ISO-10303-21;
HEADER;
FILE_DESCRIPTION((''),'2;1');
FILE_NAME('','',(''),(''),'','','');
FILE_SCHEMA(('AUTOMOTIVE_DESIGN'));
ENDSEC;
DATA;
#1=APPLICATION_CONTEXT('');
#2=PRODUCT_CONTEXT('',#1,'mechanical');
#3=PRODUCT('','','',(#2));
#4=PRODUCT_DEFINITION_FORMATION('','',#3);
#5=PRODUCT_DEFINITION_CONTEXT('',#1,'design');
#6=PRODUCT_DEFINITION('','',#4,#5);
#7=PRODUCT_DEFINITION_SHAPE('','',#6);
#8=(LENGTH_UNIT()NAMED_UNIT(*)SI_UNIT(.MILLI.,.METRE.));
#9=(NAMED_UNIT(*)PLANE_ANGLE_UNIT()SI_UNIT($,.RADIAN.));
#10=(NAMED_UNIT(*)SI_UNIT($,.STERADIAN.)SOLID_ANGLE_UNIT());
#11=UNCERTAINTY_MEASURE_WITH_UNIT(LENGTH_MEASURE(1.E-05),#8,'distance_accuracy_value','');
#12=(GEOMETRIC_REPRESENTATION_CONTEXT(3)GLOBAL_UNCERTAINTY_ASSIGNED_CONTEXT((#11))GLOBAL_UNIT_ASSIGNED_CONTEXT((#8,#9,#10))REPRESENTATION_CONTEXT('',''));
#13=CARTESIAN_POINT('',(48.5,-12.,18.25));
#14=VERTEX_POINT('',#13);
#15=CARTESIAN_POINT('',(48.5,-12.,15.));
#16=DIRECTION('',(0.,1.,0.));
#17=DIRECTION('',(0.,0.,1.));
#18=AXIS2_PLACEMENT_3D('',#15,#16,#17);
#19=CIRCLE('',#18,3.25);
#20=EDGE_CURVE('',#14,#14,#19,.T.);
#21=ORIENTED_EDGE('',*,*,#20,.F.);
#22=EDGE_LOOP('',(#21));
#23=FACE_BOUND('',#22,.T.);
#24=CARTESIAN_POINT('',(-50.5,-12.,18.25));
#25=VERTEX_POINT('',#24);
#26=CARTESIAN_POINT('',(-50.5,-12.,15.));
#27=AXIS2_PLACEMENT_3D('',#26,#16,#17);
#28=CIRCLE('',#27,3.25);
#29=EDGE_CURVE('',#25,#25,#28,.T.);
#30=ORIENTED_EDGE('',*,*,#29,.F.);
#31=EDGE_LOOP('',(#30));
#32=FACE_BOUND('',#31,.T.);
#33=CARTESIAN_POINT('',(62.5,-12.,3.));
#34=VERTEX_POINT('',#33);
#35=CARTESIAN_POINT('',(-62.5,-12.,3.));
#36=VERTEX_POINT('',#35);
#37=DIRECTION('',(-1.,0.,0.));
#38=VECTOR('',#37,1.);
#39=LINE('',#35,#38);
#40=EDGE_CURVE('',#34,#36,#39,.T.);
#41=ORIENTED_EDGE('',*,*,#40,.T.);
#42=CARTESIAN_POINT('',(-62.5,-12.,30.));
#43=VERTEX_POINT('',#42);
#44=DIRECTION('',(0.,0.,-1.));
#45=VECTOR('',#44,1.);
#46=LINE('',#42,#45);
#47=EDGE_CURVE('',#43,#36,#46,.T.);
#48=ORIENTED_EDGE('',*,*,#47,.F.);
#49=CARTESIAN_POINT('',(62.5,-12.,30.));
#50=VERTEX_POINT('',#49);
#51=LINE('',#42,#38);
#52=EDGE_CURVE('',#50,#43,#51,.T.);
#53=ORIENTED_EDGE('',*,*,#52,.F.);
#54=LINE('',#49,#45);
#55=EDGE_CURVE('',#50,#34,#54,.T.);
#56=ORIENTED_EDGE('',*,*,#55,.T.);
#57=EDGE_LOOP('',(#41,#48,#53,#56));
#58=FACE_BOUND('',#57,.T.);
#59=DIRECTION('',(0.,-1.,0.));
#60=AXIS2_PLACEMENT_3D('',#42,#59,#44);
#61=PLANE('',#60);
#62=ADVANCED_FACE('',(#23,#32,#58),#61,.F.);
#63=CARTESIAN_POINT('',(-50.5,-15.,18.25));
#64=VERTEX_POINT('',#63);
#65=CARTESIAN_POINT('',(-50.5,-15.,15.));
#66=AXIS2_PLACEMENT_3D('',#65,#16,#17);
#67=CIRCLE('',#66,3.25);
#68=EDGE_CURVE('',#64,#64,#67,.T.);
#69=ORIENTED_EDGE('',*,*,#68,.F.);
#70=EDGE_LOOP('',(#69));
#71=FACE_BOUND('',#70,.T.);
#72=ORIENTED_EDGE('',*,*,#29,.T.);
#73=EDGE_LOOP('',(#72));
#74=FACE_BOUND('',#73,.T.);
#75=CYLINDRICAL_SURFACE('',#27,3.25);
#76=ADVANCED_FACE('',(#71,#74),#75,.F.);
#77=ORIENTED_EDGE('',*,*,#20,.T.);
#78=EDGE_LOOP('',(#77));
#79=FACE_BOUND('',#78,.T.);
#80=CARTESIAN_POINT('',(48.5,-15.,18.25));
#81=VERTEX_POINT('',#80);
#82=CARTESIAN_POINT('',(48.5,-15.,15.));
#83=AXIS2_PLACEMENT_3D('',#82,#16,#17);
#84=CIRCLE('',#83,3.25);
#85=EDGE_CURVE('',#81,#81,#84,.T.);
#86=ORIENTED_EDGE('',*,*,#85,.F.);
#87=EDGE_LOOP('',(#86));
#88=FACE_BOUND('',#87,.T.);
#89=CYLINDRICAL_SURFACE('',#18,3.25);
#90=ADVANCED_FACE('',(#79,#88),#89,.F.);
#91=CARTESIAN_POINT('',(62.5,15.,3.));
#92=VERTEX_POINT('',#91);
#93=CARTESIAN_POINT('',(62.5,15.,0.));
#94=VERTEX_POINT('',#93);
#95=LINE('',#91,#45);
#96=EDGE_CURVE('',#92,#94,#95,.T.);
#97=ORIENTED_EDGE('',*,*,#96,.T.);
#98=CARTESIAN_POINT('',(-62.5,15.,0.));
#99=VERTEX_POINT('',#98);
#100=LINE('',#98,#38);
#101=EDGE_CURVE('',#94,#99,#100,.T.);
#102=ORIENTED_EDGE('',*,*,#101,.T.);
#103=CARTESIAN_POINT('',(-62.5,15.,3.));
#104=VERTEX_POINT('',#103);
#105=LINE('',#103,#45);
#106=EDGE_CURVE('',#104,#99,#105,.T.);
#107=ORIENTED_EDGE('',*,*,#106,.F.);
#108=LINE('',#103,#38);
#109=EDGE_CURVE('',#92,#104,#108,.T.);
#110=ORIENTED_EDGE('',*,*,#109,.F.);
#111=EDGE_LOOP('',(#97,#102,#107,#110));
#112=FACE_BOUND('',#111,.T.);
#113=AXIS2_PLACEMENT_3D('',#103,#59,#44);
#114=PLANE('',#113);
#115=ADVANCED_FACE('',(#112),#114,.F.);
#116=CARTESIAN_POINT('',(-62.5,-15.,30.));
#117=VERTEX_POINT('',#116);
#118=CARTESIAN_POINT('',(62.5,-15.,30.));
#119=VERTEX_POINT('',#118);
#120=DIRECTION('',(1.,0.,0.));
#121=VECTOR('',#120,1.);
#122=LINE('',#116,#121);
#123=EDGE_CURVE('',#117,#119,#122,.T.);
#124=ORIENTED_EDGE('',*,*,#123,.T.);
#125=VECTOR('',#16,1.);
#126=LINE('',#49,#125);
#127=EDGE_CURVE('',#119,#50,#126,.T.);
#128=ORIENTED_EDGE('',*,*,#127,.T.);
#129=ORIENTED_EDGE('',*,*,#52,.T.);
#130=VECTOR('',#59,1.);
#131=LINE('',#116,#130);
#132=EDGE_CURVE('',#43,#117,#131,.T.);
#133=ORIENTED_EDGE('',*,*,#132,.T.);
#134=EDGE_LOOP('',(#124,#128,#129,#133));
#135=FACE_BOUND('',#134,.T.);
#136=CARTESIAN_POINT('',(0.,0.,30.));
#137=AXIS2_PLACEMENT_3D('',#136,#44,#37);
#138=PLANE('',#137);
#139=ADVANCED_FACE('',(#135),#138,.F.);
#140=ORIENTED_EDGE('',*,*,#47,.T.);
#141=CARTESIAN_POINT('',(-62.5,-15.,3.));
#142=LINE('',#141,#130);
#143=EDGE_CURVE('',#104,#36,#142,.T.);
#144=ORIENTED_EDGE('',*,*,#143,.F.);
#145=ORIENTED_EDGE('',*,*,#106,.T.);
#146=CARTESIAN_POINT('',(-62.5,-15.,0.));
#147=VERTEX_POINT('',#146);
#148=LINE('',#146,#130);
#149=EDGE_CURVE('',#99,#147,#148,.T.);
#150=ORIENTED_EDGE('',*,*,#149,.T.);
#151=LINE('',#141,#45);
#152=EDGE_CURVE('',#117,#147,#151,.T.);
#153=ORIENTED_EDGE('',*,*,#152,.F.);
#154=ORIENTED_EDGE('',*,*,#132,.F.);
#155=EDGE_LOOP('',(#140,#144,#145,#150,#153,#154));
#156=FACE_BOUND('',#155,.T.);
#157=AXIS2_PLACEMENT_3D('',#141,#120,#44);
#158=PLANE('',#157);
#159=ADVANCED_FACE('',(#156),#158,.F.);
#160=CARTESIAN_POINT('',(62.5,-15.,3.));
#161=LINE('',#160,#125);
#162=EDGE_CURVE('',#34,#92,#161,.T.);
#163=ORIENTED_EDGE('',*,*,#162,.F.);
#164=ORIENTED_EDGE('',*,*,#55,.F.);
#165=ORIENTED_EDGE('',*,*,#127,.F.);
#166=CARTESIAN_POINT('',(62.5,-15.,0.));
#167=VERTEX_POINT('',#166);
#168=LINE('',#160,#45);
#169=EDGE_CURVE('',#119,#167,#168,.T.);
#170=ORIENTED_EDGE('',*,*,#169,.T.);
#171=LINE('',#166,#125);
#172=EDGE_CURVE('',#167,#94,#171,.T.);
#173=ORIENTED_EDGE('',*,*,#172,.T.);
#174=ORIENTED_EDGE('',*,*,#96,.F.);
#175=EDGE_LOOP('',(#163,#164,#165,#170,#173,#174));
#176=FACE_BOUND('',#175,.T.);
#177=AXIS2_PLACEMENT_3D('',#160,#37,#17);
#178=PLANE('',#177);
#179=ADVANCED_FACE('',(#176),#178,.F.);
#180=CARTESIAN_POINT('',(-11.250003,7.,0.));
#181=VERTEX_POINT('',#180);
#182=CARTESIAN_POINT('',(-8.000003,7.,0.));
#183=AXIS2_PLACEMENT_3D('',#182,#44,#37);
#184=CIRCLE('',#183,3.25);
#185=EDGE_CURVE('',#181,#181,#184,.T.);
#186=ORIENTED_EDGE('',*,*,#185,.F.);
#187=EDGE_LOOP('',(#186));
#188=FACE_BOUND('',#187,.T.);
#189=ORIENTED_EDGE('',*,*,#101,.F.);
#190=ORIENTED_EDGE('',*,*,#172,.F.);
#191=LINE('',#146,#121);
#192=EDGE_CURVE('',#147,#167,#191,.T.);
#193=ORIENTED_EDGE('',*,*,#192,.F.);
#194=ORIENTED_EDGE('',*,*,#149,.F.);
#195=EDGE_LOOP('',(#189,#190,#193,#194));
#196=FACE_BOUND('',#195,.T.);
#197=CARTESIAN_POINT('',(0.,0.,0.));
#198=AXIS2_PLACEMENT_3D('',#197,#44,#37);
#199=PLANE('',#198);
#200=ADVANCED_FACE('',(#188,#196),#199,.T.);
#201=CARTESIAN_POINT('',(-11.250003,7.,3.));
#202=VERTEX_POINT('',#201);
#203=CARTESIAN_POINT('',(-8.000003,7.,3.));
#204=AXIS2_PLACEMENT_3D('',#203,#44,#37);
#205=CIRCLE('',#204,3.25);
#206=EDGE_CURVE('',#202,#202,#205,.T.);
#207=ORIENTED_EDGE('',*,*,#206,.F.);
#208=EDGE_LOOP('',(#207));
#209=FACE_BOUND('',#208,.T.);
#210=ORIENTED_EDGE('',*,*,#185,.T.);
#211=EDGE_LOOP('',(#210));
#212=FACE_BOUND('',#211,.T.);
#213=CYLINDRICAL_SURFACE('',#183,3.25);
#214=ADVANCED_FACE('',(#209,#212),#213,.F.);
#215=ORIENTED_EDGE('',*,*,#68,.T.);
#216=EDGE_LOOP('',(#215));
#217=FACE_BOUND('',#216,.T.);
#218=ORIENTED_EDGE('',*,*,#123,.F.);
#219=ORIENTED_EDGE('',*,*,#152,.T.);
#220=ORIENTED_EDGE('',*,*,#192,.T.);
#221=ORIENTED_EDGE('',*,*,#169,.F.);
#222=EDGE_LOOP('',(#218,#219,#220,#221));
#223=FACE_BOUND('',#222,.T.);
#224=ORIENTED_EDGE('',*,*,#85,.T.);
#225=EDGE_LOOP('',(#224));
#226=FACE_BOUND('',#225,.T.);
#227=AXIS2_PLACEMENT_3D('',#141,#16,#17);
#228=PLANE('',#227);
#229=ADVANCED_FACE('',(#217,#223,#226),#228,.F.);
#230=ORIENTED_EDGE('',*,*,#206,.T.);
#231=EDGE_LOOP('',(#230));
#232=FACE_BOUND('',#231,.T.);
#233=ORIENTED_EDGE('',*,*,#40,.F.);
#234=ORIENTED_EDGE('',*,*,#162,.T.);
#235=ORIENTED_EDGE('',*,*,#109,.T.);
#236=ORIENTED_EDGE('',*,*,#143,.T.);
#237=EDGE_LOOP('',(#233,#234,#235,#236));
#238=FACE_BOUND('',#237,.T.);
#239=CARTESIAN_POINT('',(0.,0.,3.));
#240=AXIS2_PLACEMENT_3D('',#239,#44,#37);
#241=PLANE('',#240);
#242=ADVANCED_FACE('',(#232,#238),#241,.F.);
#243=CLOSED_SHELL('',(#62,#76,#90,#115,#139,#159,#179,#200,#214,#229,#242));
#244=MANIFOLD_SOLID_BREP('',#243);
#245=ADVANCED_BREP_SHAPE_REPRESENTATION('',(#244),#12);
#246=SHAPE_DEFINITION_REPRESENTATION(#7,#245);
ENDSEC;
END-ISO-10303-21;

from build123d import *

# Parameters (mm, degrees)
SKETCH1_W                      = 125
SKETCH1_H                      = 30
BOSS_EXTRUDE1_DEPTH            = 3
SKETCH2_W                      = 125
SKETCH2_H                      = 3
BOSS_EXTRUDE2_DEPTH            = 27
F_6_5_6_5_DIAMETER_HOLE1_D     = 6.5
F_6_5_6_5_DIAMETER_HOLE1_DEPTH = 10
F_6_5_6_5_DIAMETER_HOLE1_TIP   = 1.952797012
F_6_5_6_5_DIAMETER_HOLE2_D     = 6.5
F_6_5_6_5_DIAMETER_HOLE2_DEPTH = 32
F_6_5_6_5_DIAMETER_HOLE2_TIP   = 1.952797012


with BuildPart() as part:
    # Sketch1 → Boss-Extrude1 (new body)
    with BuildSketch(Plane.XY):
        Rectangle(SKETCH1_W, SKETCH1_H)
    extrude(amount=BOSS_EXTRUDE1_DEPTH)

    # Sketch2 → Boss-Extrude2 (add)
    with BuildSketch(Plane.XY.offset(3)):
        with Locations((0, -13.5)):
            Rectangle(SKETCH2_W, SKETCH2_H)
    extrude(amount=BOSS_EXTRUDE2_DEPTH)

    # Ø6.5 (6.5) Diameter Hole1
    with Locations(Plane(origin=(0, -12, 0), x_dir=(1, 0, 0), z_dir=(0, 1, 0))):
        with Locations((48.5, -15), (-50.5, -15)):
            Hole(F_6_5_6_5_DIAMETER_HOLE1_D / 2, depth=F_6_5_6_5_DIAMETER_HOLE1_DEPTH)
            with Locations((0, 0, -(F_6_5_6_5_DIAMETER_HOLE1_DEPTH + F_6_5_6_5_DIAMETER_HOLE1_TIP / 2))):  # 118° drill point
                Cone(0, F_6_5_6_5_DIAMETER_HOLE1_D / 2, F_6_5_6_5_DIAMETER_HOLE1_TIP, mode=Mode.SUBTRACT)

    # Ø6.5 (6.5) Diameter Hole2
    with Locations(Plane(origin=(0, 0, 0), x_dir=(-1, 0, 0), z_dir=(0, 0, -1))):
        with Locations((8.000002921, 7)):
            Hole(F_6_5_6_5_DIAMETER_HOLE2_D / 2, depth=F_6_5_6_5_DIAMETER_HOLE2_DEPTH)
            with Locations((0, 0, -(F_6_5_6_5_DIAMETER_HOLE2_DEPTH + F_6_5_6_5_DIAMETER_HOLE2_TIP / 2))):  # 118° drill point
                Cone(0, F_6_5_6_5_DIAMETER_HOLE2_D / 2, F_6_5_6_5_DIAMETER_HOLE2_TIP, mode=Mode.SUBTRACT)


solid = part.part
